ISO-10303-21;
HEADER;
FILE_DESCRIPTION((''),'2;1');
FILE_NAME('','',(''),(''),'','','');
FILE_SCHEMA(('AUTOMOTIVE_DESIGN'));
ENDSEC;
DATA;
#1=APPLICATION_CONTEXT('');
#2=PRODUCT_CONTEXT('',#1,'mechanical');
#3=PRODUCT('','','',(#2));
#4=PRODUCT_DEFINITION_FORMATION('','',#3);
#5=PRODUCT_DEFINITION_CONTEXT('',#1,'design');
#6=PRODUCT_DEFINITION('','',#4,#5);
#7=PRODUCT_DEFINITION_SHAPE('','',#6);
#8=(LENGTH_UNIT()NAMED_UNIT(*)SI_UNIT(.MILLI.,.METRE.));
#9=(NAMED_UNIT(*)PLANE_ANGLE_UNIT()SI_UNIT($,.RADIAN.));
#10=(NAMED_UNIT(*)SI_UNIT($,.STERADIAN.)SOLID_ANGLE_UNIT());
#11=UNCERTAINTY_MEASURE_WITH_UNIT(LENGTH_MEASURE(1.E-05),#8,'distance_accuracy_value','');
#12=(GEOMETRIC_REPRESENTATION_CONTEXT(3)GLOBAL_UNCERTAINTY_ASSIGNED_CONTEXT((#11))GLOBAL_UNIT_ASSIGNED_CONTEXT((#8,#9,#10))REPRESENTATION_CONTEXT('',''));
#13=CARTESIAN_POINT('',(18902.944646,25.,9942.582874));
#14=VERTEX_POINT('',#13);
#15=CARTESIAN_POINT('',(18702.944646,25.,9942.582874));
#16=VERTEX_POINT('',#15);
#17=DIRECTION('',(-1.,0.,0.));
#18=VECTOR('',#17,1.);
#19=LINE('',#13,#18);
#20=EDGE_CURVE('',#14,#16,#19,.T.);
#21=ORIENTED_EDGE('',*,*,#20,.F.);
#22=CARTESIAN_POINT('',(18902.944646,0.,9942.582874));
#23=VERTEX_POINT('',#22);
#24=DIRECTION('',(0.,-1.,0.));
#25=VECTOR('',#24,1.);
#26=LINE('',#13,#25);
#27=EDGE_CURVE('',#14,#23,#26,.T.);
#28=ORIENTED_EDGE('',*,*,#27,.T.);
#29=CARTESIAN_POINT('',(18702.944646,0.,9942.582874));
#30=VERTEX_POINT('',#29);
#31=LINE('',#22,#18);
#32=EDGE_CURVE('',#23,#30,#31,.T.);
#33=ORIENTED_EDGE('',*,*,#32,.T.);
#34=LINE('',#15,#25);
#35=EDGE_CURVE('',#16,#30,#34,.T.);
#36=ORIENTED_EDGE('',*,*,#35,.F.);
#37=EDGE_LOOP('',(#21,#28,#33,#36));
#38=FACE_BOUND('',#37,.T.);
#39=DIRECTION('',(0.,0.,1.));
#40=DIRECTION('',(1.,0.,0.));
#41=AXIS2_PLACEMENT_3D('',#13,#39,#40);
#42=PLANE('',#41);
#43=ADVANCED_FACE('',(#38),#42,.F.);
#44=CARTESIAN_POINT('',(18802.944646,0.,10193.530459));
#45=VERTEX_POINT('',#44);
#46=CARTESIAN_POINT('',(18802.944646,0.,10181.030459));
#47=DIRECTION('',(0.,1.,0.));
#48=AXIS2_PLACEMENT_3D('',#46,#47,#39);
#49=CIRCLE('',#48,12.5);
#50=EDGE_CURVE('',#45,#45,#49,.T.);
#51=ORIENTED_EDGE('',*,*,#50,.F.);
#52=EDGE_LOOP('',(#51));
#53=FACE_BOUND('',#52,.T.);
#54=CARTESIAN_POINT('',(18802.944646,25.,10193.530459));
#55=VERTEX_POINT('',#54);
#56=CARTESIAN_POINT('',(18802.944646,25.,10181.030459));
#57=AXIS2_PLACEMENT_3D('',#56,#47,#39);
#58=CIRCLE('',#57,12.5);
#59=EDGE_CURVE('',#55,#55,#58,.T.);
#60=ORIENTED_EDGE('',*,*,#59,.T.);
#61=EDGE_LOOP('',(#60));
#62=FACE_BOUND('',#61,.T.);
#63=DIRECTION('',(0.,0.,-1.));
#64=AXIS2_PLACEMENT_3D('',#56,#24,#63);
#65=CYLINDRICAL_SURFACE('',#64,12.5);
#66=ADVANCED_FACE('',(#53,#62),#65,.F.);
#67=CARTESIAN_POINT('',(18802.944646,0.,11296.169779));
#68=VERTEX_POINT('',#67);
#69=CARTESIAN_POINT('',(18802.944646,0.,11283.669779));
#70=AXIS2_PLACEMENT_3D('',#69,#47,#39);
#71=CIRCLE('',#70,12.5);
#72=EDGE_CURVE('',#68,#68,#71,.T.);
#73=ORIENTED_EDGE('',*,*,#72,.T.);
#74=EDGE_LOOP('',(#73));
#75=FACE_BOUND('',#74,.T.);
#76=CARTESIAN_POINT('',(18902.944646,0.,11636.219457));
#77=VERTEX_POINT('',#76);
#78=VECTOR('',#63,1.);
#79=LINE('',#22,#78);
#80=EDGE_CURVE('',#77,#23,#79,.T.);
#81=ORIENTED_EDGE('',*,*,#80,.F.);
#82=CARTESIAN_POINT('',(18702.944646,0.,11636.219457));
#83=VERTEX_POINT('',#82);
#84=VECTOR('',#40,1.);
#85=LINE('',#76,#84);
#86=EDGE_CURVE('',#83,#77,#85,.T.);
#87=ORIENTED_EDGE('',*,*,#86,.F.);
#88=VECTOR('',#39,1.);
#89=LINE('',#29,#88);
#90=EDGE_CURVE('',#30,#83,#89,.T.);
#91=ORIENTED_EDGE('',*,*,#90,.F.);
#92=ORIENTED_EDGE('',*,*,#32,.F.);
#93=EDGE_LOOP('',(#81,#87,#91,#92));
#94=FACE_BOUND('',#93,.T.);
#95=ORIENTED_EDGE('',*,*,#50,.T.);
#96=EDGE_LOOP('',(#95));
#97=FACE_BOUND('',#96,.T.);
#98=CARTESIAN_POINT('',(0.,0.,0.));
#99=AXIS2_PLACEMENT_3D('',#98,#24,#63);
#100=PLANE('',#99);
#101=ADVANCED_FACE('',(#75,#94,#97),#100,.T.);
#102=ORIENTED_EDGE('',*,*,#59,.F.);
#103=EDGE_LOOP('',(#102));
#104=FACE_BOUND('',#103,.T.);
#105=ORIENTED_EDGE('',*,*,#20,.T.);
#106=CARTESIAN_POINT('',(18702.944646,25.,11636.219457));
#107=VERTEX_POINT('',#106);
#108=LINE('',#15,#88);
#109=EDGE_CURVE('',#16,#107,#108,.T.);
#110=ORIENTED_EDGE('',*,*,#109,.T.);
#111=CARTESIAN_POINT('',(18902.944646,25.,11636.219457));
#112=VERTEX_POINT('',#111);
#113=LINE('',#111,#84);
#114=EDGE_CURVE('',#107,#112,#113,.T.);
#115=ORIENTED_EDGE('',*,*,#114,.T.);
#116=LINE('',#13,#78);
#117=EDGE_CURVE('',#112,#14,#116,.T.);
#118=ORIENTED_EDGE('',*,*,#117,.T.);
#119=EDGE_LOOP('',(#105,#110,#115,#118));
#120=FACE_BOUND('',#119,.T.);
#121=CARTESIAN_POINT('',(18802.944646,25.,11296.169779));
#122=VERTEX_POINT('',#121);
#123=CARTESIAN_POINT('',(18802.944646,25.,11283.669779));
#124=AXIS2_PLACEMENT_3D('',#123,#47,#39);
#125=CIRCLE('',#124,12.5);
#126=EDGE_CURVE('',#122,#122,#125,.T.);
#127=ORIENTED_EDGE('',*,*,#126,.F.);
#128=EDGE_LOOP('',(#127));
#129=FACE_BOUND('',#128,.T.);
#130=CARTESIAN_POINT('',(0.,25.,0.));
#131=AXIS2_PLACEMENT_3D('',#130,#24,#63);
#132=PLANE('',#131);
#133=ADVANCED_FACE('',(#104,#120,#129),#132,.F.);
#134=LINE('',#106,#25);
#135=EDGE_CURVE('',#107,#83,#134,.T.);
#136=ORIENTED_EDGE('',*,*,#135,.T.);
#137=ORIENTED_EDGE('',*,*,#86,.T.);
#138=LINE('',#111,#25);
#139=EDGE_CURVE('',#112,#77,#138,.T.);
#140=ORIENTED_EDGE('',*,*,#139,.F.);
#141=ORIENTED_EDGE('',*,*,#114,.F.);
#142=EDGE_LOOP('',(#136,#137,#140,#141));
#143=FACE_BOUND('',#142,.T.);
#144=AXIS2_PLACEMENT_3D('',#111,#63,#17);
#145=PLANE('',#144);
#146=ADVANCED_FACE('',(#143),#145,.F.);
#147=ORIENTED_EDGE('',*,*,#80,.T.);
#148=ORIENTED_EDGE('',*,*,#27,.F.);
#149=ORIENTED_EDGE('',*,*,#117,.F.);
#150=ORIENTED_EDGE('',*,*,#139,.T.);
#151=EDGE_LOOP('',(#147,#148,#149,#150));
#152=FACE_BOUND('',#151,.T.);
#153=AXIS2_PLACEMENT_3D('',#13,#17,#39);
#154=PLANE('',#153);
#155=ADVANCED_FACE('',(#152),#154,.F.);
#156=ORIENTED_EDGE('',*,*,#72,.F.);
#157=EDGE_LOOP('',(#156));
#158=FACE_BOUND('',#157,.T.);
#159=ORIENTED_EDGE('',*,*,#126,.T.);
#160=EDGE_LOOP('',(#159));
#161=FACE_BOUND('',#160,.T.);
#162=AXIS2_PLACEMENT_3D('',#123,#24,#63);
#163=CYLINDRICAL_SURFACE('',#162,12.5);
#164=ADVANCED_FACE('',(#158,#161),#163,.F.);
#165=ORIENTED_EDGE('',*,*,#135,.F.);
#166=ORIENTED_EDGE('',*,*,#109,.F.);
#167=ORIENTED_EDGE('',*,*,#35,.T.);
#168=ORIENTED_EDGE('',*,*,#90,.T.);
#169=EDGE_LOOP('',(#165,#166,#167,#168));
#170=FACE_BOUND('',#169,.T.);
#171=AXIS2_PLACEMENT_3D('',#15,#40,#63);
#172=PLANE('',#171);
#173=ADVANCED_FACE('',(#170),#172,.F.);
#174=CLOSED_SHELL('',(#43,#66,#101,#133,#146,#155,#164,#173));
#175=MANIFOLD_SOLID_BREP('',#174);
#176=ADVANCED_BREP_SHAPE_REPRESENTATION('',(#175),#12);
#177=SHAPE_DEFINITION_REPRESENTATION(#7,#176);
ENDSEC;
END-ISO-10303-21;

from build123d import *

# Parameters (mm, degrees)
SKETCH4_W             = 200
SKETCH4_H             = 2933.573874127
SKETCH4_R             = 12.5
BOSS_EXTRUDE1_DEPTH   = 25
SKETCH4_H_2           = 2891.000919938
BOSS_EXTRUDE1_2_DEPTH = 25
SKETCH4_H_3           = 2656.8496719
BOSS_EXTRUDE1_3_DEPTH = 25
SKETCH4_H_4           = 2167.26069873
BOSS_EXTRUDE1_4_DEPTH = 25
SKETCH4_H_5           = 1693.636583381
BOSS_EXTRUDE1_5_DEPTH = 25
SKETCH5_W             = 6063.042757238
SKETCH5_H             = 4952.659926698
CUT_EXTRUDE1_DEPTH    = 26


with BuildPart() as part:
    # Sketch4 → Boss-Extrude1 (new body)
    with BuildSketch(Plane(origin=(0, 0, 0), x_dir=(1, 0, 0), z_dir=(0, 1, 0))):
        with Locations((23132.944645813, -11409.369811035)):
            Rectangle(SKETCH4_W, SKETCH4_H)
        with Locations((23132.944645813, -12678.089615367)):
            Circle(SKETCH4_R, mode=Mode.SUBTRACT)
        with Locations((23132.944645813, -10181.030459334)):
            Circle(SKETCH4_R, mode=Mode.SUBTRACT)
    extrude(amount=BOSS_EXTRUDE1_DEPTH)


with BuildPart() as body_2:
    # Sketch4 → Boss-Extrude1 2 (new body)
    with BuildSketch(Plane(origin=(0, 0, 0), x_dir=(1, 0, 0), z_dir=(0, 1, 0))):
        with Locations((22032.944645813, -11388.083333941)):
            Rectangle(SKETCH4_W, SKETCH4_H_2)
        with Locations((22032.944645813, -12621.228285175)):
            Circle(SKETCH4_R, mode=Mode.SUBTRACT)
        with Locations((22032.944645813, -10181.030459334)):
            Circle(SKETCH4_R, mode=Mode.SUBTRACT)
    extrude(amount=BOSS_EXTRUDE1_2_DEPTH)


with BuildPart() as body_3:
    # Sketch4 → Boss-Extrude1 3 (new body)
    with BuildSketch(Plane(origin=(0, 0, 0), x_dir=(1, 0, 0), z_dir=(0, 1, 0))):
        with Locations((20832.944645813, -11271.007709922)):
            Rectangle(SKETCH4_W, SKETCH4_H_3)
        with Locations((20832.944645813, -12348.754240871)):
            Circle(SKETCH4_R, mode=Mode.SUBTRACT)
        with Locations((20832.944645813, -10181.030459334)):
            Circle(SKETCH4_R, mode=Mode.SUBTRACT)
    extrude(amount=BOSS_EXTRUDE1_3_DEPTH)


with BuildPart() as body_4:
    # Sketch4 → Boss-Extrude1 4 (new body)
    with BuildSketch(Plane(origin=(0, 0, 0), x_dir=(1, 0, 0), z_dir=(0, 1, 0))):
        with Locations((19632.944645813, -11026.213223337)):
            Rectangle(SKETCH4_W, SKETCH4_H_4)
        with Locations((19632.944645813, -11826.915448153)):
            Circle(SKETCH4_R, mode=Mode.SUBTRACT)
        with Locations((19632.944645813, -10181.030459334)):
            Circle(SKETCH4_R, mode=Mode.SUBTRACT)
    extrude(amount=BOSS_EXTRUDE1_4_DEPTH)


with BuildPart() as body_5:
    # Sketch4 → Boss-Extrude1 5 (new body)
    with BuildSketch(Plane(origin=(0, 0, 0), x_dir=(1, 0, 0), z_dir=(0, 1, 0))):
        with Locations((18802.944645813, -10789.401165663)):
            Rectangle(SKETCH4_W, SKETCH4_H_5)
        with Locations((18802.944645813, -11283.669778774)):
            Circle(SKETCH4_R, mode=Mode.SUBTRACT)
        with Locations((18802.944645813, -10181.030459334)):
            Circle(SKETCH4_R, mode=Mode.SUBTRACT)
    extrude(amount=BOSS_EXTRUDE1_5_DEPTH)


with BuildPart() as cut_extrude1_tool:
    # Sketch5 → Cut-Extrude1 (new body, through all)
    with BuildSketch(Plane(origin=(0, 0, 0), x_dir=(1, 0, 0), z_dir=(0, 1, 0))):
        with Locations((22113.577724943, -11321.244189564)):
            Rectangle(SKETCH5_W, SKETCH5_H)
    extrude(amount=CUT_EXTRUDE1_DEPTH)


with BuildPart() as part_1:
    add(part.part)

    # Cut-Extrude1: cut by cut_extrude1_tool
    add(cut_extrude1_tool.part, mode=Mode.SUBTRACT)


with BuildPart() as body_2_1:
    add(body_2.part)

    # Cut-Extrude1: cut by cut_extrude1_tool
    add(cut_extrude1_tool.part, mode=Mode.SUBTRACT)


with BuildPart() as body_3_1:
    add(body_3.part)

    # Cut-Extrude1: cut by cut_extrude1_tool
    add(cut_extrude1_tool.part, mode=Mode.SUBTRACT)


with BuildPart() as body_4_1:
    add(body_4.part)

    # Cut-Extrude1: cut by cut_extrude1_tool
    add(cut_extrude1_tool.part, mode=Mode.SUBTRACT)


solid = body_5.part
